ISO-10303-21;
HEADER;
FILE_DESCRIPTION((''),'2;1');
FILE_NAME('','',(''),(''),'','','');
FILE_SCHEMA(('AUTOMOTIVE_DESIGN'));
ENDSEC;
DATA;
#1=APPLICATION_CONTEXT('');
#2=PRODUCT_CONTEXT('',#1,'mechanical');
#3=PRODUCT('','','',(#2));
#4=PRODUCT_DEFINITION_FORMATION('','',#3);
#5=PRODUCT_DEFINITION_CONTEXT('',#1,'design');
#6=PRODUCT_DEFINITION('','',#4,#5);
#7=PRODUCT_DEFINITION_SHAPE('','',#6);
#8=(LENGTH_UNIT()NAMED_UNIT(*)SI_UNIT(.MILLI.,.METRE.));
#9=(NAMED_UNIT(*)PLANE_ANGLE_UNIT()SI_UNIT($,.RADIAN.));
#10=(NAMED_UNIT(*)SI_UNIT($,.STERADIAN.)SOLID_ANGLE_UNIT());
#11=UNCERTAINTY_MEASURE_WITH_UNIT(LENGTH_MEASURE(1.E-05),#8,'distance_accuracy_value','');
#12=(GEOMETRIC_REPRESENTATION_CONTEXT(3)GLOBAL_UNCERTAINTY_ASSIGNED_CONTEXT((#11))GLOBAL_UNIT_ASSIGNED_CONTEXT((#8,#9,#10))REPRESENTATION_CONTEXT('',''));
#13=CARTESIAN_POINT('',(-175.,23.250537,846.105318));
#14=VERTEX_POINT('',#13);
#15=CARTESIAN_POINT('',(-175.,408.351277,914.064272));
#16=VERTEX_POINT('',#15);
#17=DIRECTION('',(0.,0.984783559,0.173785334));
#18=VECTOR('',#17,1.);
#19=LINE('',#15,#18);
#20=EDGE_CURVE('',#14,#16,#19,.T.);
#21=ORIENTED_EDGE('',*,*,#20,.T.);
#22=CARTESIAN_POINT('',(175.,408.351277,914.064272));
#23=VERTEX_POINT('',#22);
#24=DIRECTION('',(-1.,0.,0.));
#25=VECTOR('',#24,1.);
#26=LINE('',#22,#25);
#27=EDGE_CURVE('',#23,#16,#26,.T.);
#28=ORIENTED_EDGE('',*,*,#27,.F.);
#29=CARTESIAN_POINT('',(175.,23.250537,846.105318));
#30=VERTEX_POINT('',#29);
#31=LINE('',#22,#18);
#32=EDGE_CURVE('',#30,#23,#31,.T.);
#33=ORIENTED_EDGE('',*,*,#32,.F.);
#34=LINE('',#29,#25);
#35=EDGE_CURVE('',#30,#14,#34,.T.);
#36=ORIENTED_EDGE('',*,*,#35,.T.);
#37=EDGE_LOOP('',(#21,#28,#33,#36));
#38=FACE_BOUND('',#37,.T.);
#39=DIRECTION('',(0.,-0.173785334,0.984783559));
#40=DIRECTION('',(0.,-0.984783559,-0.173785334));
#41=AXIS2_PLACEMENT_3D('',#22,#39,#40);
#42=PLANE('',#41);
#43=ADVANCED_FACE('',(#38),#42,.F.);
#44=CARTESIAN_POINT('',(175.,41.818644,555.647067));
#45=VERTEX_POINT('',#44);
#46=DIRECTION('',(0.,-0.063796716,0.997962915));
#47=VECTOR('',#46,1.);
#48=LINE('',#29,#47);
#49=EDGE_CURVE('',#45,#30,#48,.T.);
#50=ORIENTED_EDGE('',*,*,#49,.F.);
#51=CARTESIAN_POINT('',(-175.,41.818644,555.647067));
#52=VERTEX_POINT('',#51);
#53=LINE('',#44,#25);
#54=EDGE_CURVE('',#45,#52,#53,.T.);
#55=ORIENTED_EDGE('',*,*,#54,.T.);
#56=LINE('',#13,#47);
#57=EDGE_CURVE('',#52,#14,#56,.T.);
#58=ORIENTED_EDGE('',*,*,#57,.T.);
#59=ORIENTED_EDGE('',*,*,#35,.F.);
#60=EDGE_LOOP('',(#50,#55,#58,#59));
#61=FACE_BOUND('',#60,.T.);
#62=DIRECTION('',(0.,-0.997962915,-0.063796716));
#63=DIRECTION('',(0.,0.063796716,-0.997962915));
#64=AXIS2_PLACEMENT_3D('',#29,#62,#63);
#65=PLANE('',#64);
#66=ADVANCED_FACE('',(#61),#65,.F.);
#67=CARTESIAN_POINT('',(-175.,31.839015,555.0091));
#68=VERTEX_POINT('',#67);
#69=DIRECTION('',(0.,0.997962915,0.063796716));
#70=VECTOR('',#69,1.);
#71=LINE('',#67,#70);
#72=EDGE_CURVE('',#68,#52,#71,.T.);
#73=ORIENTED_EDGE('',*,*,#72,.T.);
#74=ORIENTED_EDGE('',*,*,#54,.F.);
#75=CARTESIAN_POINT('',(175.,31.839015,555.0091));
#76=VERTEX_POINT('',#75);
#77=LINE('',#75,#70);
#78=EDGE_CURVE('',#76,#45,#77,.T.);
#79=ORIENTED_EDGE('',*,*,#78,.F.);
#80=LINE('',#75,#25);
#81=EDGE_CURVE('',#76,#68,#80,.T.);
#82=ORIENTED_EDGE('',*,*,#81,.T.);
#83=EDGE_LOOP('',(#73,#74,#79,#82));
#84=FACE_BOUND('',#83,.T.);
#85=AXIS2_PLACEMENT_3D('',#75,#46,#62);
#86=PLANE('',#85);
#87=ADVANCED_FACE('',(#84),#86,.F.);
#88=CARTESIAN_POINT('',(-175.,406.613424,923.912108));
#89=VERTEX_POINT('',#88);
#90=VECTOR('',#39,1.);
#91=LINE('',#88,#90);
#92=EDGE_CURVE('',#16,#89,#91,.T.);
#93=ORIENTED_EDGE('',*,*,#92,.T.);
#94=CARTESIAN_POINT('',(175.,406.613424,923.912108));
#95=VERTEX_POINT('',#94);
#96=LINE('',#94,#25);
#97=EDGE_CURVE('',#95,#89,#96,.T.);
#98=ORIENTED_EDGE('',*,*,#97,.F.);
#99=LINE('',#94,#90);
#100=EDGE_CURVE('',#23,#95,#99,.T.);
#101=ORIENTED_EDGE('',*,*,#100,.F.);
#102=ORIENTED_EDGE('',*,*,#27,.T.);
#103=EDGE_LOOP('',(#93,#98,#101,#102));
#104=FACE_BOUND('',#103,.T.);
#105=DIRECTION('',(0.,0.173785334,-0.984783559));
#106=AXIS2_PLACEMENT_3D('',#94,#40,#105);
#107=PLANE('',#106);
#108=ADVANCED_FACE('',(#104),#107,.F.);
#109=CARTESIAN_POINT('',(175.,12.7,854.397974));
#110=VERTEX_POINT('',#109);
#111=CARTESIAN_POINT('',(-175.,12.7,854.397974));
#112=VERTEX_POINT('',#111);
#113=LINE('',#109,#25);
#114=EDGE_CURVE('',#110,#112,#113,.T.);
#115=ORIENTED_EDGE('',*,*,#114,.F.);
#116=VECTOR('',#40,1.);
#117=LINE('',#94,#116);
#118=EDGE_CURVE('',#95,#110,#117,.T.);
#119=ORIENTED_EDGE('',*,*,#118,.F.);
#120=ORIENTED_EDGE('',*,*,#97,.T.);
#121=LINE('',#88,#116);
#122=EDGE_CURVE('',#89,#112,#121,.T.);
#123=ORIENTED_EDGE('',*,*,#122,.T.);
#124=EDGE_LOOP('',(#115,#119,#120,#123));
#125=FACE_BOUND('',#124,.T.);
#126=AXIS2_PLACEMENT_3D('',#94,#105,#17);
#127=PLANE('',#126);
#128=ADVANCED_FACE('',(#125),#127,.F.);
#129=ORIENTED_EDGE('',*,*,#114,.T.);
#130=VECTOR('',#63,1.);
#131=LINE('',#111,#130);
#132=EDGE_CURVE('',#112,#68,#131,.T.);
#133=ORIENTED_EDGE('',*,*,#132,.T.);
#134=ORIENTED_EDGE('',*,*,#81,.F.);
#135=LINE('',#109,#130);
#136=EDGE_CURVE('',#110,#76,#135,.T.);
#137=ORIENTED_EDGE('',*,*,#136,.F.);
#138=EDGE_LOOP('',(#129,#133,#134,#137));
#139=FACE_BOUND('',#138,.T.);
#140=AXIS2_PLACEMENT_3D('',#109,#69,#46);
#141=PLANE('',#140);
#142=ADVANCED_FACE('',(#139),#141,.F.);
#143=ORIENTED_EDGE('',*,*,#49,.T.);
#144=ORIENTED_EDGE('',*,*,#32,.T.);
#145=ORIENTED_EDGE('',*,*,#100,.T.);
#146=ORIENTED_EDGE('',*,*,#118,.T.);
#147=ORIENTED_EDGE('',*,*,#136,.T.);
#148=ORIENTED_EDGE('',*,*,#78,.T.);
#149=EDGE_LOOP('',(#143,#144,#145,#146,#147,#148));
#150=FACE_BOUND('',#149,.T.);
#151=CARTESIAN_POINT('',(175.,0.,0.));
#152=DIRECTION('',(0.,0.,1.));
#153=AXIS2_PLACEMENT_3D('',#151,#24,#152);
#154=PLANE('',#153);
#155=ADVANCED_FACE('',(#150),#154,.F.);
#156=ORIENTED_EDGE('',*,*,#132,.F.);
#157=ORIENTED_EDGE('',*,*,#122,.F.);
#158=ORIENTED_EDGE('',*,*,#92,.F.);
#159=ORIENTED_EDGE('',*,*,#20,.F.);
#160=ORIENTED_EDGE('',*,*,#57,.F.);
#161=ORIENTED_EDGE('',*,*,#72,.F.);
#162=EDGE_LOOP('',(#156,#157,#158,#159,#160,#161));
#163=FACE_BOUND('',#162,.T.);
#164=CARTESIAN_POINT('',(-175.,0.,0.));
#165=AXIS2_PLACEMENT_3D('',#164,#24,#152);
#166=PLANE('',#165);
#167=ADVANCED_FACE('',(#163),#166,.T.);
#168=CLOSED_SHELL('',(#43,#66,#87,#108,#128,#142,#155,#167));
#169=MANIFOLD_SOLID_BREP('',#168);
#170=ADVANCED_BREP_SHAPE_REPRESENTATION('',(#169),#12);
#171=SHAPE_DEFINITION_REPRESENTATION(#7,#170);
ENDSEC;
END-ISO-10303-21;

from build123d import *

# Parameters (mm, degrees)
BOSS_EXTRUDE1_DEPTH = 175


with BuildPart() as part:
    # Sketch1 → Boss-Extrude1 (new, symmetric)
    with BuildSketch(Plane(origin=(0, 0, 0), x_dir=(0, 0, -1), z_dir=(1, 0, 0))):
        Polygon((-923.912107867, 406.613423527), (-854.397974303, 12.7), (-555.009099907, 31.839014802), (-555.647067067, 41.818643948), (-846.10531811, 23.250536576), (-914.064272279, 408.351276866), align=None)
    extrude(amount=BOSS_EXTRUDE1_DEPTH, both=True)


solid = part.part
